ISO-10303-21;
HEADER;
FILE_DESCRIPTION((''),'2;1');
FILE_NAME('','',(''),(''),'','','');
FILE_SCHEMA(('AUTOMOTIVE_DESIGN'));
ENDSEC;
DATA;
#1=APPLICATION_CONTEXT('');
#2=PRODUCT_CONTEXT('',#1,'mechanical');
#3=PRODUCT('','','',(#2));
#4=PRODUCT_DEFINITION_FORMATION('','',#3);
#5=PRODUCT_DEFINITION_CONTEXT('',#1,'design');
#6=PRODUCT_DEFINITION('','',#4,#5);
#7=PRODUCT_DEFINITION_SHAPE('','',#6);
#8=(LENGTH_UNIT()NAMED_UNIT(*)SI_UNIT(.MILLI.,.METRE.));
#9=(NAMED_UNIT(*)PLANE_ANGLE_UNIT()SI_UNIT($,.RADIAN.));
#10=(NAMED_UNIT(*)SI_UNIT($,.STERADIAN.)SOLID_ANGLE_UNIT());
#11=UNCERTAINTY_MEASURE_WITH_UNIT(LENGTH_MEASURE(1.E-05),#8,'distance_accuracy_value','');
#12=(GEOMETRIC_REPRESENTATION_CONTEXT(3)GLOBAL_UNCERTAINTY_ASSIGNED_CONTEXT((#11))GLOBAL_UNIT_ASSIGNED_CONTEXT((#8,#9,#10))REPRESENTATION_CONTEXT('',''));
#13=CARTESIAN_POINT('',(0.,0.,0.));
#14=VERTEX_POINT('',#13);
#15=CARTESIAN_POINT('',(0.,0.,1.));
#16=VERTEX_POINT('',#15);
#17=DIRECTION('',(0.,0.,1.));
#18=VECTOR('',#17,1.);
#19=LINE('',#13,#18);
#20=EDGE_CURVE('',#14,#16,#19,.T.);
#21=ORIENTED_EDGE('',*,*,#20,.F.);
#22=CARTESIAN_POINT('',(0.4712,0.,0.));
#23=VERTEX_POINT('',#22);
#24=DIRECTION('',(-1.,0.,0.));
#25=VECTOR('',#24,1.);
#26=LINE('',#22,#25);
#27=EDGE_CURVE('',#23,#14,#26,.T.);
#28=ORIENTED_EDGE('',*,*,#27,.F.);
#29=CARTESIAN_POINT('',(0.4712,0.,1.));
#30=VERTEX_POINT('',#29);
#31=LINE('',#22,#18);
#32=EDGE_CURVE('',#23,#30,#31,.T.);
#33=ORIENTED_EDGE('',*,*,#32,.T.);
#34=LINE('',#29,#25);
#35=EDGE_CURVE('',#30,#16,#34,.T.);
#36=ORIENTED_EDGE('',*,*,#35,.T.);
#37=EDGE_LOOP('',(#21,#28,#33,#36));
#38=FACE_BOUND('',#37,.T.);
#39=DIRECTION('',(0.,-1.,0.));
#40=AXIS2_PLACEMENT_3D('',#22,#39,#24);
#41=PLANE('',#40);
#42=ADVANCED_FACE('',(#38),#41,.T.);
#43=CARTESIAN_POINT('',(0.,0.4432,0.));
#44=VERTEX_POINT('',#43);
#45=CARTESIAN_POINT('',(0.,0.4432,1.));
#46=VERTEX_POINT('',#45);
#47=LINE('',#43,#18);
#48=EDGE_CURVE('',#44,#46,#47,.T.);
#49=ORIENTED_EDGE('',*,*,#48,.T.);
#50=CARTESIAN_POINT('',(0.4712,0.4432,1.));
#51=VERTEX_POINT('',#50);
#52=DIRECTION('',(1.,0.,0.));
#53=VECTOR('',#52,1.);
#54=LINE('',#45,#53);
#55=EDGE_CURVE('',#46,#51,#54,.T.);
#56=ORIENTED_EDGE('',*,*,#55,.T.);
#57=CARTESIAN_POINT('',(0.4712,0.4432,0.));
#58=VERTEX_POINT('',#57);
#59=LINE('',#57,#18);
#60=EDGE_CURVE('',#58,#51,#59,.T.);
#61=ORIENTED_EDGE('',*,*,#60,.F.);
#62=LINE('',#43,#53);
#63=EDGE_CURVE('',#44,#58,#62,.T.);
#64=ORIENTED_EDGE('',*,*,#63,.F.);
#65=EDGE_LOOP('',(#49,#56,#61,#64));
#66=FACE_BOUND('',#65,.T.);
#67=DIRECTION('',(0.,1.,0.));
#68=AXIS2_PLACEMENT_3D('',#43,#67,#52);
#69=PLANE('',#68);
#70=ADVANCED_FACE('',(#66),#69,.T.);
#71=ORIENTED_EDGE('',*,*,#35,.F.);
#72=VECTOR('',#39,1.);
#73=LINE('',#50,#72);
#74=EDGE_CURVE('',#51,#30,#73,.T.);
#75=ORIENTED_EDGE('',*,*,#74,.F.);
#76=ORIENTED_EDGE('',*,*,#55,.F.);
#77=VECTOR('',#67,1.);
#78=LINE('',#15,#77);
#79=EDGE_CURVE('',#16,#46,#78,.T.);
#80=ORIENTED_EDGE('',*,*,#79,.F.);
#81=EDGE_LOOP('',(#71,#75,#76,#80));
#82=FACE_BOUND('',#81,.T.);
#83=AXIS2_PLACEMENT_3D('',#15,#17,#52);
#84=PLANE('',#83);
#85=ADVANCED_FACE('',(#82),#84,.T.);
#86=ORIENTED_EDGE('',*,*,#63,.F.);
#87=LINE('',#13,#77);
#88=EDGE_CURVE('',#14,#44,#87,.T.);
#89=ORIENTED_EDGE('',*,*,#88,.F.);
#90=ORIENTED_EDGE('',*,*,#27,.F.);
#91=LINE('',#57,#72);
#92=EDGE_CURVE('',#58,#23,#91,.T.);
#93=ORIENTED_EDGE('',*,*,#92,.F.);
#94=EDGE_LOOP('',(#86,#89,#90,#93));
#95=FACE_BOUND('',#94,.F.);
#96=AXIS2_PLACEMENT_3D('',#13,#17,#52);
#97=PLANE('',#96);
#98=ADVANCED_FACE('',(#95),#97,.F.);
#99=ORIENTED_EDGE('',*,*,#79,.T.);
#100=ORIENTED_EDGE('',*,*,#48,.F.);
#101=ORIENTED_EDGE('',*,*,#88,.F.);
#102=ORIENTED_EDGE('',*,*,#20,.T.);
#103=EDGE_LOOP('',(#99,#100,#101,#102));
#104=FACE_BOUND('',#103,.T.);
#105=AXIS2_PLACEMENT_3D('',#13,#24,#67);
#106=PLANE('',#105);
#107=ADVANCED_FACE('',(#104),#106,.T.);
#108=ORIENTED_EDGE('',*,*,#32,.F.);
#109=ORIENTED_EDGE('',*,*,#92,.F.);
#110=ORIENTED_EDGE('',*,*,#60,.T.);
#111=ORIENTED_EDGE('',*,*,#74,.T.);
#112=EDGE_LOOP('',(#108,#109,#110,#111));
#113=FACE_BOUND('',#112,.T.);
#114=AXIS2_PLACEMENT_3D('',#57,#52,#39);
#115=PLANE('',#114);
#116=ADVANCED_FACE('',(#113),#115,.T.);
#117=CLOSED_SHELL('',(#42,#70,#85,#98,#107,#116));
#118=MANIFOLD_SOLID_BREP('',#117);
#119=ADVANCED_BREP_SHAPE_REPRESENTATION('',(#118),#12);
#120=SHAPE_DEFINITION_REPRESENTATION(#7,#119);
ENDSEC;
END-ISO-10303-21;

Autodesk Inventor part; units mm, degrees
ref_plane "YZ Plane" through (0, 0, 0) normal (1, 0, 0) x (0, 1, 0)
ref_plane "XZ Plane" through (0, 0, 0) normal (0, 1, 0) x (-1, 0, 0)
ref_plane "XY Plane" through (0, 0, 0) normal (0, 0, 1) x (1, 0, 0)
sketch "MS_TM, MS_TM_158" plane through (0, 0, 0) normal (0, 0, 1) x (1, 0, 0)
  line L0 (0, 0.4432) -> (0.4712, 0.4432)
  line L1 (0.4712, 0.4432) -> (0.4712, 0)
  line L2 (0.4712, 0) -> (0, 0)
  line L3 (0, 0) -> (0, 0.4432)
extrude "Extrusion1" add sketch "MS_TM, MS_TM_158" along normal blind 1
properties part number "MS_TM"
